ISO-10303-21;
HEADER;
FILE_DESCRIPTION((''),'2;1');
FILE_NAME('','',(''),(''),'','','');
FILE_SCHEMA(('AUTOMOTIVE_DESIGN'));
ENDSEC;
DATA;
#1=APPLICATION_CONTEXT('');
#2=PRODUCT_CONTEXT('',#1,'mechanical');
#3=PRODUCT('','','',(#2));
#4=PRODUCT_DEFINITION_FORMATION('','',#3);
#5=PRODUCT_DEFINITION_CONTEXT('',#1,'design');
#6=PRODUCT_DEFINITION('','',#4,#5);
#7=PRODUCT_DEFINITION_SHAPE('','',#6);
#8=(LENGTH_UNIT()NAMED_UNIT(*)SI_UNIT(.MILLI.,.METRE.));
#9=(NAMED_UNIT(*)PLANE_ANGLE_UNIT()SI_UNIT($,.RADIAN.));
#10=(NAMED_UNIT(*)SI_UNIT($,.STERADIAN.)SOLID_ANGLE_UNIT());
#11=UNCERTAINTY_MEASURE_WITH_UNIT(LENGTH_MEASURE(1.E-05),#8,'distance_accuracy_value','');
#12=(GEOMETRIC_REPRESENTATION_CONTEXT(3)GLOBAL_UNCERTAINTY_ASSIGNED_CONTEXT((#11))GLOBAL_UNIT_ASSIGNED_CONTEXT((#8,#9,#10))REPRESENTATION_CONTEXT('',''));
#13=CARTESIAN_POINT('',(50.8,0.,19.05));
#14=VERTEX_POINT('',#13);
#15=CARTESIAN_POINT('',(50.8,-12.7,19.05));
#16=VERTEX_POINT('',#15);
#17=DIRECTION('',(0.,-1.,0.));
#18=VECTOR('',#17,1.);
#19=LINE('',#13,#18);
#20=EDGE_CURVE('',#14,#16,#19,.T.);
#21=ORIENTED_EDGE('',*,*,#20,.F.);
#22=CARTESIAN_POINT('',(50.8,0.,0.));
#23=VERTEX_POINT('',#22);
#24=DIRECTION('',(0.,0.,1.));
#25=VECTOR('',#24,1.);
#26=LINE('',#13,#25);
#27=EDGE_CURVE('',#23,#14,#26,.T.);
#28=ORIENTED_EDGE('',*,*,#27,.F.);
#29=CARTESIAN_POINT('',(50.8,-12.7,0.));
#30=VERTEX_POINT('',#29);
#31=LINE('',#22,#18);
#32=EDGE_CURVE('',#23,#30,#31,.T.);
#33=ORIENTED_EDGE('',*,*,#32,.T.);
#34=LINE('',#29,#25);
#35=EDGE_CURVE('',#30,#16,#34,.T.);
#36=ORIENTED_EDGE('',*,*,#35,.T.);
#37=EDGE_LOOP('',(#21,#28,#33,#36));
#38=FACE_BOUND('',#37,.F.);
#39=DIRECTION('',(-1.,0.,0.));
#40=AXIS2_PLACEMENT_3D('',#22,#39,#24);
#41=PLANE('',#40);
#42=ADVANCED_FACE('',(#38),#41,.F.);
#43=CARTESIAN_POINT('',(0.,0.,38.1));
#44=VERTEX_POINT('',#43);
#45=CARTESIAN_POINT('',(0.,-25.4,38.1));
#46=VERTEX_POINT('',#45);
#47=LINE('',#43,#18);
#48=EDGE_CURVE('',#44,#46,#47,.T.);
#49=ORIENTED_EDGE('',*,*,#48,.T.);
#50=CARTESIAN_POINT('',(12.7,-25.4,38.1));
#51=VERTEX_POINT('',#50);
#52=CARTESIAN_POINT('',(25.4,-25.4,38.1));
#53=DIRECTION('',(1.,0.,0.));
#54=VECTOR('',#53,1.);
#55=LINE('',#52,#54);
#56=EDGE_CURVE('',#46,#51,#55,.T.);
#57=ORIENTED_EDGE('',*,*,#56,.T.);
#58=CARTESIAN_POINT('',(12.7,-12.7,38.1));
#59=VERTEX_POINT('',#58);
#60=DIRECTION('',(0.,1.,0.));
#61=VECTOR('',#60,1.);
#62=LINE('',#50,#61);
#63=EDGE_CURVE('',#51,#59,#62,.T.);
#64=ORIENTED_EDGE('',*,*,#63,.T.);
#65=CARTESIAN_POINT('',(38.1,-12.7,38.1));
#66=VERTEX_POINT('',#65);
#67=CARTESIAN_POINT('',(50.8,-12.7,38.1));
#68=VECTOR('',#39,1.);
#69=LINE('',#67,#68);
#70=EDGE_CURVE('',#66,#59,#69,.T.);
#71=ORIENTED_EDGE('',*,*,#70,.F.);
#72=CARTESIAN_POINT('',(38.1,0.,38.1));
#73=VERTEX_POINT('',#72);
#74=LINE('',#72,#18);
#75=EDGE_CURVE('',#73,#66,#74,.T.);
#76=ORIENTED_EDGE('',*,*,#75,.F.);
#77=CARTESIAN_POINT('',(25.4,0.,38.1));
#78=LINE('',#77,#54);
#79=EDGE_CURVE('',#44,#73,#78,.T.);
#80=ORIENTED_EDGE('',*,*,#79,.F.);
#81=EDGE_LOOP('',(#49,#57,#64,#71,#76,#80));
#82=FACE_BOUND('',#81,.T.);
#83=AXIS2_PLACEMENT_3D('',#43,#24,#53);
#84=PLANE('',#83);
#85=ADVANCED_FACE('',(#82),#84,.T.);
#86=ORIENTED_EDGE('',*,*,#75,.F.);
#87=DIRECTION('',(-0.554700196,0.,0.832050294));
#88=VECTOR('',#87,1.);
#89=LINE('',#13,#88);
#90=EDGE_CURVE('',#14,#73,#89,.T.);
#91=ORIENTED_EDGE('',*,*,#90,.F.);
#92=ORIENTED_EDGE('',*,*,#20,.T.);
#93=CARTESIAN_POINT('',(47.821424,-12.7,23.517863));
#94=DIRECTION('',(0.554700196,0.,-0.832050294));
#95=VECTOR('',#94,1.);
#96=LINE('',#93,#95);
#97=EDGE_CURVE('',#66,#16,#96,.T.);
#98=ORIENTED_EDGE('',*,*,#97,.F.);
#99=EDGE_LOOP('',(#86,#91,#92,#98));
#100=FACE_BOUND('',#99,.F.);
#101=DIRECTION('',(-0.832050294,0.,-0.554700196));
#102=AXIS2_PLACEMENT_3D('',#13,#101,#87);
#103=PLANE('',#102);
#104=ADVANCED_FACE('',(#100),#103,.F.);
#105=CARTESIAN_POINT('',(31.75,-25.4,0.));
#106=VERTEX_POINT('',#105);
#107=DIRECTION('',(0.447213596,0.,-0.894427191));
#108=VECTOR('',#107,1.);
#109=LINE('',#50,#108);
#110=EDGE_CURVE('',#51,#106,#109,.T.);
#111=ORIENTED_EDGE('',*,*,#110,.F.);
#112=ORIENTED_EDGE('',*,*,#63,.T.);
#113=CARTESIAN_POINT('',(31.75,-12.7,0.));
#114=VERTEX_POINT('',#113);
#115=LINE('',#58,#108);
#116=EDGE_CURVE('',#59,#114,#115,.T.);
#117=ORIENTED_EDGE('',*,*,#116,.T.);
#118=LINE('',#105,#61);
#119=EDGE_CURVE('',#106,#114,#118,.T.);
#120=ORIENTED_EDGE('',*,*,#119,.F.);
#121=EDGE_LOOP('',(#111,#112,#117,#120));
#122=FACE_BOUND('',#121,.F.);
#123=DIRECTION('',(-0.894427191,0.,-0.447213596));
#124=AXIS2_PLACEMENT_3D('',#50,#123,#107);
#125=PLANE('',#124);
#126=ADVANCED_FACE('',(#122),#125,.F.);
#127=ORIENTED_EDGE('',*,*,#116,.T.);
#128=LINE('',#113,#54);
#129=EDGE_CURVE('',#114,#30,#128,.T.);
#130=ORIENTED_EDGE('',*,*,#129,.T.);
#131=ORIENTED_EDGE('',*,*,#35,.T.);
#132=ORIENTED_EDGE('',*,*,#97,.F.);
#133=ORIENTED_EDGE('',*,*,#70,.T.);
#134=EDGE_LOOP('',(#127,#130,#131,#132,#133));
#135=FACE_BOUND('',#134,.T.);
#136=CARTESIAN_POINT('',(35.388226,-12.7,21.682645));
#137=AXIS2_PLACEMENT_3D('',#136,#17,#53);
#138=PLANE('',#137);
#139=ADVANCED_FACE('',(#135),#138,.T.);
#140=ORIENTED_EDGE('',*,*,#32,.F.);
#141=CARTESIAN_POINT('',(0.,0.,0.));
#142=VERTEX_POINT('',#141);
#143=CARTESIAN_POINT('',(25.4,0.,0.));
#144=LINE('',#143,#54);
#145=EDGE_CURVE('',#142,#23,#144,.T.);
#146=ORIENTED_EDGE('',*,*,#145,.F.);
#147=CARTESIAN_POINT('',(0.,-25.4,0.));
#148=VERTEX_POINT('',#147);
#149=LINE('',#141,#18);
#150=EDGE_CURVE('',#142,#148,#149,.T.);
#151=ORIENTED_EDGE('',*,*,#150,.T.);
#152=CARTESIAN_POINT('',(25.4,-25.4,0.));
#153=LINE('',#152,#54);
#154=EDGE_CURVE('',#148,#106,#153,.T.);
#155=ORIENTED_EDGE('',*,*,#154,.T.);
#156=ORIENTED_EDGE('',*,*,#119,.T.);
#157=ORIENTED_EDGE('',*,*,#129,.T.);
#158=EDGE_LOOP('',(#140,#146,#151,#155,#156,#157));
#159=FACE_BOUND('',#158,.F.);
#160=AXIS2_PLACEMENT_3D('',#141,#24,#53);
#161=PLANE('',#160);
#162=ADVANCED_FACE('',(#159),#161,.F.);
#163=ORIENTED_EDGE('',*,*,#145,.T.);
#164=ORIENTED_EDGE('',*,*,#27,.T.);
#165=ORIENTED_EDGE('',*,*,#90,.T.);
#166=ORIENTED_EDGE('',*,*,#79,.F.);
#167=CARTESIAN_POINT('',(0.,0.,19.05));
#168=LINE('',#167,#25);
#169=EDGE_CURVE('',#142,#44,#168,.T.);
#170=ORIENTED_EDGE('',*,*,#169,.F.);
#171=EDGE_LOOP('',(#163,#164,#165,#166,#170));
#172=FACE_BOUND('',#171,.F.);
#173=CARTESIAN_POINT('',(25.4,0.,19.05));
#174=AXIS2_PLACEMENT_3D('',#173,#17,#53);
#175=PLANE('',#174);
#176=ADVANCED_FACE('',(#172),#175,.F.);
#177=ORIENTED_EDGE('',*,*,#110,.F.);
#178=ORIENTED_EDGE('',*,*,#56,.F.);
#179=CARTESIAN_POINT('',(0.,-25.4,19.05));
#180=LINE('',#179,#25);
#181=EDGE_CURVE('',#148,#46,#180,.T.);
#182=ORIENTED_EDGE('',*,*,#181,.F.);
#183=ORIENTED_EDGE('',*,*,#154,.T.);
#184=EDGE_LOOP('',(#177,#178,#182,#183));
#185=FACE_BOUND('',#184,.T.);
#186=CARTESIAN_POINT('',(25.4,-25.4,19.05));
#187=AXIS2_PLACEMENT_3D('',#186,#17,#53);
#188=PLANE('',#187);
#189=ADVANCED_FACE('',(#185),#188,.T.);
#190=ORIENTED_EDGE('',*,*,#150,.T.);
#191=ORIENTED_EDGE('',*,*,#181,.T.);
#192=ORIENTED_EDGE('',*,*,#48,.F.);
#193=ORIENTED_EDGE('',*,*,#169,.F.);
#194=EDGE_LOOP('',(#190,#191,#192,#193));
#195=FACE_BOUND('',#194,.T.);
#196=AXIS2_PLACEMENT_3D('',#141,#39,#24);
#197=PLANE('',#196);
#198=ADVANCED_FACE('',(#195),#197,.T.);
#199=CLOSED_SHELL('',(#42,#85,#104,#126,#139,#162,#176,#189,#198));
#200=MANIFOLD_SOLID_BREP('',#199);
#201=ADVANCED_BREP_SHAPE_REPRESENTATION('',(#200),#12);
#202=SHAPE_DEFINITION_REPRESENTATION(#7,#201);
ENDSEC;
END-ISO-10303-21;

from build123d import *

# Parameters (mm, degrees)
F0_W     = 50.8
F0_H     = 38.1
F1_DEPTH = 25.4
F3_DEPTH = 12.7
F5_DEPTH = 25.4


with BuildPart() as f1:
    # F0 (on Front) → F1 (new body)
    with BuildSketch(Plane.XZ):
        with Locations((25.4, 19.05)):
            Rectangle(F0_W, F0_H)
    extrude(amount=F1_DEPTH)

    # F2 (on face) → F3 (cut)
    with BuildSketch(Plane.XZ.offset(25.4)):
        Polygon((50.8, 38.1), (12.7, 38.1), (31.75, 0), (50.8, 0), align=None)
    extrude(amount=-F3_DEPTH, mode=Mode.SUBTRACT)

    # F4 (on face) → F5 (cut)
    with BuildSketch(Plane(origin=(0, 0, 0), x_dir=(-1, 0, 0), z_dir=(0, 1, 0))):
        Polygon((-50.8, 19.05), (-38.1, 38.1), (-50.8, 38.1), align=None)
    extrude(amount=-F5_DEPTH, mode=Mode.SUBTRACT)


solid = f1.part
